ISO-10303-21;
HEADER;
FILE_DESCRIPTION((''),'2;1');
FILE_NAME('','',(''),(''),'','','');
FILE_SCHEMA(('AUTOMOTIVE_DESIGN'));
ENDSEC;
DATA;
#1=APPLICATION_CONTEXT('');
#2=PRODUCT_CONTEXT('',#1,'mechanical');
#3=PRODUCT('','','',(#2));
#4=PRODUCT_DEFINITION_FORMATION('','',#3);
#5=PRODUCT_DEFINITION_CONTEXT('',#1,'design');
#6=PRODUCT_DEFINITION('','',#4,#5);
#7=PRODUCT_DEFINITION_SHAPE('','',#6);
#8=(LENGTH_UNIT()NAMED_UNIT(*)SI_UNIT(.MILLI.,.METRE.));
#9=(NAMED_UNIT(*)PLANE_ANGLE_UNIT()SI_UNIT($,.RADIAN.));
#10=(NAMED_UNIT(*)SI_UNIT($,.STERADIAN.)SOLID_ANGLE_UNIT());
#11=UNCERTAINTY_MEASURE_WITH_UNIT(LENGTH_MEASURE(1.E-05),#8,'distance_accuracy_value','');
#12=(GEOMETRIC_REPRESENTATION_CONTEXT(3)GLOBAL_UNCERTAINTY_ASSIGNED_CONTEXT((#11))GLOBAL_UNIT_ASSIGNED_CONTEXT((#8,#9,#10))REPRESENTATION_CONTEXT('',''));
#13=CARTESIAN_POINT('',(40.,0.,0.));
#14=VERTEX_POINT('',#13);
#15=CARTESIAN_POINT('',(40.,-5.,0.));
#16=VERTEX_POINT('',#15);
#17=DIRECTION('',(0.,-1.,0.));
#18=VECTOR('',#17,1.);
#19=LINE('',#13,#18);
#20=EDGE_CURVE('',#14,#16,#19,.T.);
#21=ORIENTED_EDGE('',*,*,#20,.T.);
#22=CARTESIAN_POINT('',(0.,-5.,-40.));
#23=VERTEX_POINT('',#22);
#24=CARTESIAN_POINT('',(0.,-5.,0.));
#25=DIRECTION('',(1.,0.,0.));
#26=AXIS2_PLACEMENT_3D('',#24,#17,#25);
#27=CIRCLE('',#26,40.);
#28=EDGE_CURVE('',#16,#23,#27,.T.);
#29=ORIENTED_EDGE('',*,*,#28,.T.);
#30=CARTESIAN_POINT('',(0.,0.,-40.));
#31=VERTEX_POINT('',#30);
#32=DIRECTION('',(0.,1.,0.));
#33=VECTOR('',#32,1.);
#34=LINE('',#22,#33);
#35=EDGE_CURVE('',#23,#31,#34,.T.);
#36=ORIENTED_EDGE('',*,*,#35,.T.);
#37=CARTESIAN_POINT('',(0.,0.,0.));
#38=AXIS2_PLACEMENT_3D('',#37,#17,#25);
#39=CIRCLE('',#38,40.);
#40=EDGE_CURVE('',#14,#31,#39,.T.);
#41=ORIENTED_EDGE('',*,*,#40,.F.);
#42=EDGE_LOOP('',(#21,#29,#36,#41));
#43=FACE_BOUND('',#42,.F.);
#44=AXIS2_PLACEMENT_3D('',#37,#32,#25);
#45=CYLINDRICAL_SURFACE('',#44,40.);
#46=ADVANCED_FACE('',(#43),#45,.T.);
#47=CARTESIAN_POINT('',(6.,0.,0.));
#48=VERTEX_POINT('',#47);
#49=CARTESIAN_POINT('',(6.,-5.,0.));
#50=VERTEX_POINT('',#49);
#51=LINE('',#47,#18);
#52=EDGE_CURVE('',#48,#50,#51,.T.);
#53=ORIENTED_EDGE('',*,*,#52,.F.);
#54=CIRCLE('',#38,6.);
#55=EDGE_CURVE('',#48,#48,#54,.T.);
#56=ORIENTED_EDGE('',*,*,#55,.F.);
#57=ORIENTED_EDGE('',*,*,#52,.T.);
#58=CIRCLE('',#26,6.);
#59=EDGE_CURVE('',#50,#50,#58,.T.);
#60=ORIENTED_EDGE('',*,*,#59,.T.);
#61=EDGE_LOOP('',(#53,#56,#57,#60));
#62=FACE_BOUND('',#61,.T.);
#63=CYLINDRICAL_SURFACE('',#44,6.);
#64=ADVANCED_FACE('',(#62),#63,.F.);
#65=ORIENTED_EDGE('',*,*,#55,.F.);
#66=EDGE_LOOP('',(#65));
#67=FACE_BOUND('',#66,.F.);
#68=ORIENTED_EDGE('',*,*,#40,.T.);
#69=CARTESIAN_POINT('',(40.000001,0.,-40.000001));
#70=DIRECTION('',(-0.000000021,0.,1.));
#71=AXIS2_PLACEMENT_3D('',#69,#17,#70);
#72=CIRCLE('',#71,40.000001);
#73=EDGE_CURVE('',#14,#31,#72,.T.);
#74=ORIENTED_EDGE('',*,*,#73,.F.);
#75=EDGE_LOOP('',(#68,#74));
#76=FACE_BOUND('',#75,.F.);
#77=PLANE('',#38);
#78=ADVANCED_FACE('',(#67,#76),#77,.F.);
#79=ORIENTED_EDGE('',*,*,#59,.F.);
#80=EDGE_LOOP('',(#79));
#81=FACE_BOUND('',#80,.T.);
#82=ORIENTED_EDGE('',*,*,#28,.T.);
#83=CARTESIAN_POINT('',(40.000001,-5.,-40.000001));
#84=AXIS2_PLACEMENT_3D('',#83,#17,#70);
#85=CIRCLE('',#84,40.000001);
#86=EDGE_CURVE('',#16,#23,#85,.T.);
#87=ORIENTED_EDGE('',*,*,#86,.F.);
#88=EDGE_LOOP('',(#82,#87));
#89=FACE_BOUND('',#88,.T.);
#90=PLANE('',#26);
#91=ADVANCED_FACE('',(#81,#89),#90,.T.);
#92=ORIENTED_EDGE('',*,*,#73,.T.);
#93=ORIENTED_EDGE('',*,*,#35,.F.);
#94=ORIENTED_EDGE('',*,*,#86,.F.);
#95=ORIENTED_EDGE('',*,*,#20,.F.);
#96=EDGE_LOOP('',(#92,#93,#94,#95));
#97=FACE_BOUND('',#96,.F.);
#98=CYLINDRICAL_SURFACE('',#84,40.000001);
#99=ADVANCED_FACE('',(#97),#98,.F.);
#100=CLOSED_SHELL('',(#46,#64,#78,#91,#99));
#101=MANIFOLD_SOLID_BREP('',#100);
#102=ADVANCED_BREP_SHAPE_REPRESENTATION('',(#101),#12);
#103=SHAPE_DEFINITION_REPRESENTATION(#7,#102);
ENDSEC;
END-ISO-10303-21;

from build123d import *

# Parameters (mm, degrees)
F0_R     = 40
F0_R_2   = 6
F1_DEPTH = 5
F3_DEPTH = 25


with BuildPart() as f1:
    # F0 (on Front) → F1 (new body)
    with BuildSketch(Plane.XZ):
        Circle(F0_R)
        Circle(F0_R_2, mode=Mode.SUBTRACT)
    extrude(amount=F1_DEPTH)

    # F2 (on face) → F3 (cut)
    with BuildSketch(Plane.XZ.offset(5)):
        with BuildLine():
            ThreePointArc((0, -40), (28.284271, -28.284271), (40, 0))
            ThreePointArc((40, 0), (11.715729, -11.715729), (0, -40))
        make_face()
    extrude(amount=-F3_DEPTH, mode=Mode.SUBTRACT)


solid = f1.part
